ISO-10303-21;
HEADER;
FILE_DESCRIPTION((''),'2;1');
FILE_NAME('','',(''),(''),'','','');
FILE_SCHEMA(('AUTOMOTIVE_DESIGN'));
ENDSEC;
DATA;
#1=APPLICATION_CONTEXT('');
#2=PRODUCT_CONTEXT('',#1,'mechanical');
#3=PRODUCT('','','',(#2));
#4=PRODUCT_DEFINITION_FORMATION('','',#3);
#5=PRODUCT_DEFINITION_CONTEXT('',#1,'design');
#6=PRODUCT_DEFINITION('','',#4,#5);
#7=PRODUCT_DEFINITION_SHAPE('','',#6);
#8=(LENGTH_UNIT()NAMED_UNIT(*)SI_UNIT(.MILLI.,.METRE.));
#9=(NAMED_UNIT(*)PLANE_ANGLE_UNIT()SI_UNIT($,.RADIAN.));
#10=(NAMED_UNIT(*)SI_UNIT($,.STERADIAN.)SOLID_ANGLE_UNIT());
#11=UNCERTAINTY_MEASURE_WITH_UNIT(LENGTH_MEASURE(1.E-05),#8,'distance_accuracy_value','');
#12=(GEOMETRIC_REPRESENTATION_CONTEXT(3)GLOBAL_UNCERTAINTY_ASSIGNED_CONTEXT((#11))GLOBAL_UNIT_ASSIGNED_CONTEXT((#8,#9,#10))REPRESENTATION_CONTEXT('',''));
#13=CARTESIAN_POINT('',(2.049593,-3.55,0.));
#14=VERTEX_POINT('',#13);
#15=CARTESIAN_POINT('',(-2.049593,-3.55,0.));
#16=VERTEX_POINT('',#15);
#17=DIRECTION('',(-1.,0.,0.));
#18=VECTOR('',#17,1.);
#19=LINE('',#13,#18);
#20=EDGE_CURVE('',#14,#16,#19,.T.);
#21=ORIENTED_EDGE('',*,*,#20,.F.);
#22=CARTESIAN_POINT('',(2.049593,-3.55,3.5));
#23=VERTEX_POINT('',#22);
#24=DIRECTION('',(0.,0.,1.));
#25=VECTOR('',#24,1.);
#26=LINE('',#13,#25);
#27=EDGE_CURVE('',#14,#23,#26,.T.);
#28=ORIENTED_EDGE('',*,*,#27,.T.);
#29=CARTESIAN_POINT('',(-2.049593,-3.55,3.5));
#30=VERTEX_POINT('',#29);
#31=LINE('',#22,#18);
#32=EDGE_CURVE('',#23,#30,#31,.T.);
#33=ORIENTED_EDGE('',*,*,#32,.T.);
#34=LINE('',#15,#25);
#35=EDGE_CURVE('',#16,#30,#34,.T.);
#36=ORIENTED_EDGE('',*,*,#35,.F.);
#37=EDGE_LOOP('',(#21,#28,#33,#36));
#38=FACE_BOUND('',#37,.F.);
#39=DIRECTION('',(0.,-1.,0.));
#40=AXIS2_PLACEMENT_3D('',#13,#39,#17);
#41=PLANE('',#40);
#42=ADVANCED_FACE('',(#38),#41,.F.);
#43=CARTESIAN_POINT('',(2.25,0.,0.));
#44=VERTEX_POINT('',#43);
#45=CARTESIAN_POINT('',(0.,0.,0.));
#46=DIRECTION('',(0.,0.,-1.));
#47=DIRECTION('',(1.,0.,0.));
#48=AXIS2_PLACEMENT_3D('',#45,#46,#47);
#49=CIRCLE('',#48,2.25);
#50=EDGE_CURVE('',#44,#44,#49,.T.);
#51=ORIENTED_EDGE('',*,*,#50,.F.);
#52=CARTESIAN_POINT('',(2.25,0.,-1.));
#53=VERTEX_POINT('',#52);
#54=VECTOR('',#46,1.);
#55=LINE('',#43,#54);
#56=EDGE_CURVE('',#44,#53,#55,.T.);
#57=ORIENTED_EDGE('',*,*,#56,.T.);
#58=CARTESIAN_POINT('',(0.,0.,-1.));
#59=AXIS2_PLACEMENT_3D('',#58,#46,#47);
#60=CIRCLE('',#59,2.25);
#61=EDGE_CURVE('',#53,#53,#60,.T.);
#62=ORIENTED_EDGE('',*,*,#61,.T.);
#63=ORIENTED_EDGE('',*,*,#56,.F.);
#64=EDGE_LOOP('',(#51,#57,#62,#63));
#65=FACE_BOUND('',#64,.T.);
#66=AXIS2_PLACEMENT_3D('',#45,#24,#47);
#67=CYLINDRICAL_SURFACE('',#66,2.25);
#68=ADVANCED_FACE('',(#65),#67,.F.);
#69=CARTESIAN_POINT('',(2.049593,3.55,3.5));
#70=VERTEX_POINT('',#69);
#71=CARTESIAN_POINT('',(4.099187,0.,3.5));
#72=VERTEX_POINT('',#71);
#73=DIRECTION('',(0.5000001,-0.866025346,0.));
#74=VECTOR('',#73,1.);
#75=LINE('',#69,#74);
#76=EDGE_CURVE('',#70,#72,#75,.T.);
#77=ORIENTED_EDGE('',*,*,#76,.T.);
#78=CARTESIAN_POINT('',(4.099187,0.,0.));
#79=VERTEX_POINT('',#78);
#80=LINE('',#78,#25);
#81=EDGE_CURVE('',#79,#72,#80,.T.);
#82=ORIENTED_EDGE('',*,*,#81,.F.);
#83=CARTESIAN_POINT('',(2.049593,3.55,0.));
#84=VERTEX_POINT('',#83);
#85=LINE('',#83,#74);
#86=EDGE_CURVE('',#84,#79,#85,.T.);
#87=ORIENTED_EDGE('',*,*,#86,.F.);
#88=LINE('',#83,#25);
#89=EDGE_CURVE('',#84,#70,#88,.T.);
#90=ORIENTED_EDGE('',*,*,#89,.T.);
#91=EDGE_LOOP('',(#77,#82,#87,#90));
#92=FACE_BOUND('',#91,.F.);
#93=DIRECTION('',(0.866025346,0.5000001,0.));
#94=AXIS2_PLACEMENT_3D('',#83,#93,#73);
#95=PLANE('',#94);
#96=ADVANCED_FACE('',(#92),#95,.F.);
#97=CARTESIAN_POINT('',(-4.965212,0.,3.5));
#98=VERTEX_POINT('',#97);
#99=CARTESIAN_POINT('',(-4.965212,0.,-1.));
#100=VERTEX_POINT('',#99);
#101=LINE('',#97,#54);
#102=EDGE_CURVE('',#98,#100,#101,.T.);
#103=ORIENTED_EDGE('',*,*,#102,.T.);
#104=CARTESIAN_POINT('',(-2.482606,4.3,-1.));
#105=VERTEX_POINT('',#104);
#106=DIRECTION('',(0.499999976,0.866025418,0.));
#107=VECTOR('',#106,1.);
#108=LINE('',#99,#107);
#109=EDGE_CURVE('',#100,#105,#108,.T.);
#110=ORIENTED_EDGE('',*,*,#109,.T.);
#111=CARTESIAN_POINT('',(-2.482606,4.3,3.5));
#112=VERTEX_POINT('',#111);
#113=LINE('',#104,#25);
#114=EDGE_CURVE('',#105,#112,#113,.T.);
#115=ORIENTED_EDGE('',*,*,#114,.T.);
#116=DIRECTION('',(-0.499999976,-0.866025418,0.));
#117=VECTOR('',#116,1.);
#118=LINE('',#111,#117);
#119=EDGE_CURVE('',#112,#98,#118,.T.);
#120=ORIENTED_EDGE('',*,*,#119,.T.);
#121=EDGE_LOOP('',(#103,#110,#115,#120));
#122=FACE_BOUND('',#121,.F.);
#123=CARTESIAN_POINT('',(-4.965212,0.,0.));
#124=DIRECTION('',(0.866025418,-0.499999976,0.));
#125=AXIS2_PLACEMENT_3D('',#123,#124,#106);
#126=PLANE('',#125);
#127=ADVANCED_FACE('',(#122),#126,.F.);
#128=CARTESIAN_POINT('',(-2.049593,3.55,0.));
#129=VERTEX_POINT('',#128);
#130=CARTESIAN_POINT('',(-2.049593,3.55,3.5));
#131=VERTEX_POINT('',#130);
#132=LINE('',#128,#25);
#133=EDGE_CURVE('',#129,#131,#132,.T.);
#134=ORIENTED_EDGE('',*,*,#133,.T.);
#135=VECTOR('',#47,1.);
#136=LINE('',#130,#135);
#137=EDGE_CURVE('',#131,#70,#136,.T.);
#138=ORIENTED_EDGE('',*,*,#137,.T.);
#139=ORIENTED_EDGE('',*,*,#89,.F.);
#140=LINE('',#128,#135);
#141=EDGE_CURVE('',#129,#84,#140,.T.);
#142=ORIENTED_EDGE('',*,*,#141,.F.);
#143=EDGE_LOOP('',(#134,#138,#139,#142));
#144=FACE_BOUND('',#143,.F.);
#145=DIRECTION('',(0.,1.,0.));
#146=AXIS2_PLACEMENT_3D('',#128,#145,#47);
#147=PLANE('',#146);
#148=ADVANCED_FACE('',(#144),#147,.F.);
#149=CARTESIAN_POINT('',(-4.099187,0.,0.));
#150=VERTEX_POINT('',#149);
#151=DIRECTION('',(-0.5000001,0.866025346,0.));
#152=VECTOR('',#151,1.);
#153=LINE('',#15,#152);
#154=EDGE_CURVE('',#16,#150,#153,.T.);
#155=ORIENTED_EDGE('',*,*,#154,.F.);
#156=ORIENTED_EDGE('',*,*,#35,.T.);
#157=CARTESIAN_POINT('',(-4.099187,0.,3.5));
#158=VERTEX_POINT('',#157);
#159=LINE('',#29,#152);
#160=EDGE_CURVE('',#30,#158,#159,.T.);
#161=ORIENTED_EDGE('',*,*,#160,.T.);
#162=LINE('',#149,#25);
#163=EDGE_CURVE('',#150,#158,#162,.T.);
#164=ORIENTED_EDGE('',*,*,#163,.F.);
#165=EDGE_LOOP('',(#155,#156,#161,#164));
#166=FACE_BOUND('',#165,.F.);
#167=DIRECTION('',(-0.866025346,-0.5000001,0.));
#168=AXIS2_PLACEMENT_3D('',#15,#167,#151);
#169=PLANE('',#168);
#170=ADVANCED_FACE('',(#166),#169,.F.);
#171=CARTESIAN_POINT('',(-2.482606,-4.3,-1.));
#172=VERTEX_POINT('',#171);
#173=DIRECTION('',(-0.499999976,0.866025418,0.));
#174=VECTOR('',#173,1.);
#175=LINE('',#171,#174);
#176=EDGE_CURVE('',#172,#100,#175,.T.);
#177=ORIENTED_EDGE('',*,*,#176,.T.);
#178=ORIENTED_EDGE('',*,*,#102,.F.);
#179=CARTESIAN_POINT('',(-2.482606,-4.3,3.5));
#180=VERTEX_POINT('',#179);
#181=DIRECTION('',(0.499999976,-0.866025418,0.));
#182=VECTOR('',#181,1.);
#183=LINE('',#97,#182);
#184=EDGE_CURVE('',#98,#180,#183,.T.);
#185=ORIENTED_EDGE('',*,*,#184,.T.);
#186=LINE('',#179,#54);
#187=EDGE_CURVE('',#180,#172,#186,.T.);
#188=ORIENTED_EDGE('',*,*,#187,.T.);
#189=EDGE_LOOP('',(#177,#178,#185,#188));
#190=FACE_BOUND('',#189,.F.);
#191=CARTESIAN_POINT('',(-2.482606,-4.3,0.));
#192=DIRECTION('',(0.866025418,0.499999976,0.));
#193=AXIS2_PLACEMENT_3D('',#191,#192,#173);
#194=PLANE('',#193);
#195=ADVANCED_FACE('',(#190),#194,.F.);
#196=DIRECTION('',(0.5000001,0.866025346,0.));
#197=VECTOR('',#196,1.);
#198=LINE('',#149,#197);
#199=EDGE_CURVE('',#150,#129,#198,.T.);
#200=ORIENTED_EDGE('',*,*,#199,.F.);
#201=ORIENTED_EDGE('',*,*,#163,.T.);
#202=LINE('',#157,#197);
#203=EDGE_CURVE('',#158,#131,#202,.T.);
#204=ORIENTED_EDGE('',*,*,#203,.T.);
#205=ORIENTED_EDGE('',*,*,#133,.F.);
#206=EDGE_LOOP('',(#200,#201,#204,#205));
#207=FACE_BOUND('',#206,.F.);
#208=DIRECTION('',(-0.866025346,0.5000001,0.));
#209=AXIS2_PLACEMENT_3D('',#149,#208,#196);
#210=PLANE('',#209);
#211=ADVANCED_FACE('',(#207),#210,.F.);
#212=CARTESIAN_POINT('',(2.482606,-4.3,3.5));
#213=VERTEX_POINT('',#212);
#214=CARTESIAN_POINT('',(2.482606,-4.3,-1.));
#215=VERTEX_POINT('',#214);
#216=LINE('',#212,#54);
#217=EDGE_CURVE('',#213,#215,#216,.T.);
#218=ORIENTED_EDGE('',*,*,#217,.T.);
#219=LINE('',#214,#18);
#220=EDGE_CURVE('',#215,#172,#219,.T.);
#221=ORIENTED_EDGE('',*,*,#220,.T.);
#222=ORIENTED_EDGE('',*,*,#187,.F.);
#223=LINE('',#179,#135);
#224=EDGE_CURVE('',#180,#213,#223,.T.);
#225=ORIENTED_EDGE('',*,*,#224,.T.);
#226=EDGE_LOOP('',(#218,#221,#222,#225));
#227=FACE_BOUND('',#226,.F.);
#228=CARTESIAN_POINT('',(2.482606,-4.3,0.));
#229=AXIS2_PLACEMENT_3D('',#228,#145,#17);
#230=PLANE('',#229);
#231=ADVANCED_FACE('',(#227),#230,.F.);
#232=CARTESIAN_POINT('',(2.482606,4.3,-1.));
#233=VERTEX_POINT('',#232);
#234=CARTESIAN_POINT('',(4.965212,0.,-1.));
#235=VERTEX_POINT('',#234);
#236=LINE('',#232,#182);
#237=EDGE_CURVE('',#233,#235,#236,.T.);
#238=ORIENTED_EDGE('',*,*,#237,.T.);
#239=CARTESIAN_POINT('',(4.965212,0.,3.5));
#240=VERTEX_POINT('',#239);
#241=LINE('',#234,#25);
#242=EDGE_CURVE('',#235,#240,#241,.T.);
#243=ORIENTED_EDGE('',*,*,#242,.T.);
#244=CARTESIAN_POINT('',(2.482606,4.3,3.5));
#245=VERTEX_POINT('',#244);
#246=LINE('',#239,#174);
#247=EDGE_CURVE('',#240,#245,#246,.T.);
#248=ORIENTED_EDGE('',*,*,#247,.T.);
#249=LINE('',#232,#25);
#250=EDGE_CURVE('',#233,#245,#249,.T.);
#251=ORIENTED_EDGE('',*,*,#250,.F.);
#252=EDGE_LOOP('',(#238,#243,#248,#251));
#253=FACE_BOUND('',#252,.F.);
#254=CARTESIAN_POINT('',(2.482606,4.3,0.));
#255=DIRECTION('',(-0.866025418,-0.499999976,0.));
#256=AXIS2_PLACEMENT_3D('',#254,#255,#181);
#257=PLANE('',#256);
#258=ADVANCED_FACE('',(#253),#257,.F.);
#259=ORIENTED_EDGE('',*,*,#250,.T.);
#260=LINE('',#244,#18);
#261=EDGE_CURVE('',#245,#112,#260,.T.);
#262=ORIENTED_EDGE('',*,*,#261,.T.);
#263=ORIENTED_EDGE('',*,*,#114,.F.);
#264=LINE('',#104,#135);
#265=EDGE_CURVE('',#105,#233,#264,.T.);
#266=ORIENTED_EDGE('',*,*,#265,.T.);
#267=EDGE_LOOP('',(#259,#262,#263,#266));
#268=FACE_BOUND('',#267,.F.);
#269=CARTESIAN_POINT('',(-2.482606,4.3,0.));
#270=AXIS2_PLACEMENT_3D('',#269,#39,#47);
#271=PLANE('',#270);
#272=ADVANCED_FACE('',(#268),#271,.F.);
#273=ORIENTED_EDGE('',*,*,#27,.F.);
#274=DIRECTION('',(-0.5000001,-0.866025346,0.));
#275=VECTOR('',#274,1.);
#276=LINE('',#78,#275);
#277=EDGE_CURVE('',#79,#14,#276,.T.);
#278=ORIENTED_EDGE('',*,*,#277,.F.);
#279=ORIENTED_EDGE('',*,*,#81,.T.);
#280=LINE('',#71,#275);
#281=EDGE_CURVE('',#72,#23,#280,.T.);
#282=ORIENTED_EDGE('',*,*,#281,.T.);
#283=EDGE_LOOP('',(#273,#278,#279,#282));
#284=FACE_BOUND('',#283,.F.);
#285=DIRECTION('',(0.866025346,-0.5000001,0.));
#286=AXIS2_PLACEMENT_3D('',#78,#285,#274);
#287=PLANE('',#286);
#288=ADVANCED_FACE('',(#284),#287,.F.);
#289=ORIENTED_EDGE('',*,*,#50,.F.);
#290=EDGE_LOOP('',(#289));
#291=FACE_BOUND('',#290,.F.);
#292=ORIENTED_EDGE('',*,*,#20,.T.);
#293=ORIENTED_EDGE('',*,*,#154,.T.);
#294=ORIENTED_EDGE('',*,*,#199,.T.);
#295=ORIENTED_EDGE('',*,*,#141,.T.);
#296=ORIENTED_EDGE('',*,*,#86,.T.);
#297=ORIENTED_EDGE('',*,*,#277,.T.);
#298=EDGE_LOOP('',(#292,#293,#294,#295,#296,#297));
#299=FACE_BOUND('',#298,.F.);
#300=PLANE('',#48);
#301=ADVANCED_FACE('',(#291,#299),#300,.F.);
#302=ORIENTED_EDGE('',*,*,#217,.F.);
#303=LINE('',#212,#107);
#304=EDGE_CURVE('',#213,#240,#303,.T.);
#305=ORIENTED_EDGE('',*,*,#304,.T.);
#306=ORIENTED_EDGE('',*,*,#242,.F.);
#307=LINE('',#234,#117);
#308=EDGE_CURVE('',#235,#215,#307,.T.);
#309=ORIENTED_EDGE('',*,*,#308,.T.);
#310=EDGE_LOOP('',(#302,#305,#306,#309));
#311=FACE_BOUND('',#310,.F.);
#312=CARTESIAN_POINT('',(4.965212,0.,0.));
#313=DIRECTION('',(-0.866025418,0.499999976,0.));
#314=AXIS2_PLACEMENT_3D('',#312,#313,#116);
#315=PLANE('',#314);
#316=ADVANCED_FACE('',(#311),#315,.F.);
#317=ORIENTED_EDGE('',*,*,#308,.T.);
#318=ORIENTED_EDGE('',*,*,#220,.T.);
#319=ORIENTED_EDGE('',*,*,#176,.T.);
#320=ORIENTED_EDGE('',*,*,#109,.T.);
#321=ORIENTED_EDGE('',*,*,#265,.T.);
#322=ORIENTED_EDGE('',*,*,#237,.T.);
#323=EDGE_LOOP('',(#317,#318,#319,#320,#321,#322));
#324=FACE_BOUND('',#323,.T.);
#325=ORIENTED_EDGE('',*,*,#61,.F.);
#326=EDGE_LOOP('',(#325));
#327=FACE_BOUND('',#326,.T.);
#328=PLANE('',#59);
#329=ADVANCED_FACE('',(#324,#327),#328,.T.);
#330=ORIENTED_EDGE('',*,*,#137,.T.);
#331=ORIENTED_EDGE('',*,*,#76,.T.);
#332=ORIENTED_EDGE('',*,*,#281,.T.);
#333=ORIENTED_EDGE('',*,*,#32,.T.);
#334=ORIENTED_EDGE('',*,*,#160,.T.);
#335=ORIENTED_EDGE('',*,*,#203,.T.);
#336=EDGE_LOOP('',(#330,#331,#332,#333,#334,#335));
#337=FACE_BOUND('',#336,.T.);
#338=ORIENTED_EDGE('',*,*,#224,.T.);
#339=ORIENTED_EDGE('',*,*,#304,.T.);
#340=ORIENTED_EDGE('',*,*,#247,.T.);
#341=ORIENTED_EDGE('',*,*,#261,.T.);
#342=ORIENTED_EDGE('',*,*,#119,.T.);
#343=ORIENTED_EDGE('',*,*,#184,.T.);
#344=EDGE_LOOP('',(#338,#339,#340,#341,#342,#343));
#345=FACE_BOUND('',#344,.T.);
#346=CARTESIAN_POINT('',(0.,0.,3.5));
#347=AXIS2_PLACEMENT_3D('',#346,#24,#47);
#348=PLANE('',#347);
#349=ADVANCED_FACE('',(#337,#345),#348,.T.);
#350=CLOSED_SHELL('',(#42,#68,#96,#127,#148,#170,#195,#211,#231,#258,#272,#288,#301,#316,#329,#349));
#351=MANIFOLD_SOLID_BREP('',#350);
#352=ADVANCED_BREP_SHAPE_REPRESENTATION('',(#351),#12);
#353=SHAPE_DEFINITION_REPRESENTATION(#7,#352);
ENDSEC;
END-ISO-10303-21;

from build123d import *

# Parameters (mm, degrees)
F1_DEPTH = 3.5
F2_R     = 2.25
F3_DEPTH = 1


with BuildPart() as f1:
    # F0 (on Top) → F1 (new body)
    with BuildSketch(Plane.XY):
        Polygon((-2.482606, -4.3), (2.482606, -4.3), (4.965212, 0), (2.482606, 4.3), (-2.482606, 4.3), (-4.965212, 0), align=None)
        Polygon((4.099187, 0), (2.049593, -3.55), (-2.049593, -3.55), (-4.099187, 0), (-2.049593, 3.55), (2.049593, 3.55), align=None, mode=Mode.SUBTRACT)
    extrude(amount=F1_DEPTH)

    # F2 (on face) → F3 (join)
    with BuildSketch(Plane(origin=(0, 0, 0), x_dir=(1, 0, 0), z_dir=(0, 0, -1))):
        Polygon((4.965212, 0), (2.482606, 4.3), (-2.482606, 4.3), (-4.965212, 0), (-2.482606, -4.3), (2.482606, -4.3), align=None)
        Circle(F2_R, mode=Mode.SUBTRACT)
    extrude(amount=F3_DEPTH)


solid = f1.part
